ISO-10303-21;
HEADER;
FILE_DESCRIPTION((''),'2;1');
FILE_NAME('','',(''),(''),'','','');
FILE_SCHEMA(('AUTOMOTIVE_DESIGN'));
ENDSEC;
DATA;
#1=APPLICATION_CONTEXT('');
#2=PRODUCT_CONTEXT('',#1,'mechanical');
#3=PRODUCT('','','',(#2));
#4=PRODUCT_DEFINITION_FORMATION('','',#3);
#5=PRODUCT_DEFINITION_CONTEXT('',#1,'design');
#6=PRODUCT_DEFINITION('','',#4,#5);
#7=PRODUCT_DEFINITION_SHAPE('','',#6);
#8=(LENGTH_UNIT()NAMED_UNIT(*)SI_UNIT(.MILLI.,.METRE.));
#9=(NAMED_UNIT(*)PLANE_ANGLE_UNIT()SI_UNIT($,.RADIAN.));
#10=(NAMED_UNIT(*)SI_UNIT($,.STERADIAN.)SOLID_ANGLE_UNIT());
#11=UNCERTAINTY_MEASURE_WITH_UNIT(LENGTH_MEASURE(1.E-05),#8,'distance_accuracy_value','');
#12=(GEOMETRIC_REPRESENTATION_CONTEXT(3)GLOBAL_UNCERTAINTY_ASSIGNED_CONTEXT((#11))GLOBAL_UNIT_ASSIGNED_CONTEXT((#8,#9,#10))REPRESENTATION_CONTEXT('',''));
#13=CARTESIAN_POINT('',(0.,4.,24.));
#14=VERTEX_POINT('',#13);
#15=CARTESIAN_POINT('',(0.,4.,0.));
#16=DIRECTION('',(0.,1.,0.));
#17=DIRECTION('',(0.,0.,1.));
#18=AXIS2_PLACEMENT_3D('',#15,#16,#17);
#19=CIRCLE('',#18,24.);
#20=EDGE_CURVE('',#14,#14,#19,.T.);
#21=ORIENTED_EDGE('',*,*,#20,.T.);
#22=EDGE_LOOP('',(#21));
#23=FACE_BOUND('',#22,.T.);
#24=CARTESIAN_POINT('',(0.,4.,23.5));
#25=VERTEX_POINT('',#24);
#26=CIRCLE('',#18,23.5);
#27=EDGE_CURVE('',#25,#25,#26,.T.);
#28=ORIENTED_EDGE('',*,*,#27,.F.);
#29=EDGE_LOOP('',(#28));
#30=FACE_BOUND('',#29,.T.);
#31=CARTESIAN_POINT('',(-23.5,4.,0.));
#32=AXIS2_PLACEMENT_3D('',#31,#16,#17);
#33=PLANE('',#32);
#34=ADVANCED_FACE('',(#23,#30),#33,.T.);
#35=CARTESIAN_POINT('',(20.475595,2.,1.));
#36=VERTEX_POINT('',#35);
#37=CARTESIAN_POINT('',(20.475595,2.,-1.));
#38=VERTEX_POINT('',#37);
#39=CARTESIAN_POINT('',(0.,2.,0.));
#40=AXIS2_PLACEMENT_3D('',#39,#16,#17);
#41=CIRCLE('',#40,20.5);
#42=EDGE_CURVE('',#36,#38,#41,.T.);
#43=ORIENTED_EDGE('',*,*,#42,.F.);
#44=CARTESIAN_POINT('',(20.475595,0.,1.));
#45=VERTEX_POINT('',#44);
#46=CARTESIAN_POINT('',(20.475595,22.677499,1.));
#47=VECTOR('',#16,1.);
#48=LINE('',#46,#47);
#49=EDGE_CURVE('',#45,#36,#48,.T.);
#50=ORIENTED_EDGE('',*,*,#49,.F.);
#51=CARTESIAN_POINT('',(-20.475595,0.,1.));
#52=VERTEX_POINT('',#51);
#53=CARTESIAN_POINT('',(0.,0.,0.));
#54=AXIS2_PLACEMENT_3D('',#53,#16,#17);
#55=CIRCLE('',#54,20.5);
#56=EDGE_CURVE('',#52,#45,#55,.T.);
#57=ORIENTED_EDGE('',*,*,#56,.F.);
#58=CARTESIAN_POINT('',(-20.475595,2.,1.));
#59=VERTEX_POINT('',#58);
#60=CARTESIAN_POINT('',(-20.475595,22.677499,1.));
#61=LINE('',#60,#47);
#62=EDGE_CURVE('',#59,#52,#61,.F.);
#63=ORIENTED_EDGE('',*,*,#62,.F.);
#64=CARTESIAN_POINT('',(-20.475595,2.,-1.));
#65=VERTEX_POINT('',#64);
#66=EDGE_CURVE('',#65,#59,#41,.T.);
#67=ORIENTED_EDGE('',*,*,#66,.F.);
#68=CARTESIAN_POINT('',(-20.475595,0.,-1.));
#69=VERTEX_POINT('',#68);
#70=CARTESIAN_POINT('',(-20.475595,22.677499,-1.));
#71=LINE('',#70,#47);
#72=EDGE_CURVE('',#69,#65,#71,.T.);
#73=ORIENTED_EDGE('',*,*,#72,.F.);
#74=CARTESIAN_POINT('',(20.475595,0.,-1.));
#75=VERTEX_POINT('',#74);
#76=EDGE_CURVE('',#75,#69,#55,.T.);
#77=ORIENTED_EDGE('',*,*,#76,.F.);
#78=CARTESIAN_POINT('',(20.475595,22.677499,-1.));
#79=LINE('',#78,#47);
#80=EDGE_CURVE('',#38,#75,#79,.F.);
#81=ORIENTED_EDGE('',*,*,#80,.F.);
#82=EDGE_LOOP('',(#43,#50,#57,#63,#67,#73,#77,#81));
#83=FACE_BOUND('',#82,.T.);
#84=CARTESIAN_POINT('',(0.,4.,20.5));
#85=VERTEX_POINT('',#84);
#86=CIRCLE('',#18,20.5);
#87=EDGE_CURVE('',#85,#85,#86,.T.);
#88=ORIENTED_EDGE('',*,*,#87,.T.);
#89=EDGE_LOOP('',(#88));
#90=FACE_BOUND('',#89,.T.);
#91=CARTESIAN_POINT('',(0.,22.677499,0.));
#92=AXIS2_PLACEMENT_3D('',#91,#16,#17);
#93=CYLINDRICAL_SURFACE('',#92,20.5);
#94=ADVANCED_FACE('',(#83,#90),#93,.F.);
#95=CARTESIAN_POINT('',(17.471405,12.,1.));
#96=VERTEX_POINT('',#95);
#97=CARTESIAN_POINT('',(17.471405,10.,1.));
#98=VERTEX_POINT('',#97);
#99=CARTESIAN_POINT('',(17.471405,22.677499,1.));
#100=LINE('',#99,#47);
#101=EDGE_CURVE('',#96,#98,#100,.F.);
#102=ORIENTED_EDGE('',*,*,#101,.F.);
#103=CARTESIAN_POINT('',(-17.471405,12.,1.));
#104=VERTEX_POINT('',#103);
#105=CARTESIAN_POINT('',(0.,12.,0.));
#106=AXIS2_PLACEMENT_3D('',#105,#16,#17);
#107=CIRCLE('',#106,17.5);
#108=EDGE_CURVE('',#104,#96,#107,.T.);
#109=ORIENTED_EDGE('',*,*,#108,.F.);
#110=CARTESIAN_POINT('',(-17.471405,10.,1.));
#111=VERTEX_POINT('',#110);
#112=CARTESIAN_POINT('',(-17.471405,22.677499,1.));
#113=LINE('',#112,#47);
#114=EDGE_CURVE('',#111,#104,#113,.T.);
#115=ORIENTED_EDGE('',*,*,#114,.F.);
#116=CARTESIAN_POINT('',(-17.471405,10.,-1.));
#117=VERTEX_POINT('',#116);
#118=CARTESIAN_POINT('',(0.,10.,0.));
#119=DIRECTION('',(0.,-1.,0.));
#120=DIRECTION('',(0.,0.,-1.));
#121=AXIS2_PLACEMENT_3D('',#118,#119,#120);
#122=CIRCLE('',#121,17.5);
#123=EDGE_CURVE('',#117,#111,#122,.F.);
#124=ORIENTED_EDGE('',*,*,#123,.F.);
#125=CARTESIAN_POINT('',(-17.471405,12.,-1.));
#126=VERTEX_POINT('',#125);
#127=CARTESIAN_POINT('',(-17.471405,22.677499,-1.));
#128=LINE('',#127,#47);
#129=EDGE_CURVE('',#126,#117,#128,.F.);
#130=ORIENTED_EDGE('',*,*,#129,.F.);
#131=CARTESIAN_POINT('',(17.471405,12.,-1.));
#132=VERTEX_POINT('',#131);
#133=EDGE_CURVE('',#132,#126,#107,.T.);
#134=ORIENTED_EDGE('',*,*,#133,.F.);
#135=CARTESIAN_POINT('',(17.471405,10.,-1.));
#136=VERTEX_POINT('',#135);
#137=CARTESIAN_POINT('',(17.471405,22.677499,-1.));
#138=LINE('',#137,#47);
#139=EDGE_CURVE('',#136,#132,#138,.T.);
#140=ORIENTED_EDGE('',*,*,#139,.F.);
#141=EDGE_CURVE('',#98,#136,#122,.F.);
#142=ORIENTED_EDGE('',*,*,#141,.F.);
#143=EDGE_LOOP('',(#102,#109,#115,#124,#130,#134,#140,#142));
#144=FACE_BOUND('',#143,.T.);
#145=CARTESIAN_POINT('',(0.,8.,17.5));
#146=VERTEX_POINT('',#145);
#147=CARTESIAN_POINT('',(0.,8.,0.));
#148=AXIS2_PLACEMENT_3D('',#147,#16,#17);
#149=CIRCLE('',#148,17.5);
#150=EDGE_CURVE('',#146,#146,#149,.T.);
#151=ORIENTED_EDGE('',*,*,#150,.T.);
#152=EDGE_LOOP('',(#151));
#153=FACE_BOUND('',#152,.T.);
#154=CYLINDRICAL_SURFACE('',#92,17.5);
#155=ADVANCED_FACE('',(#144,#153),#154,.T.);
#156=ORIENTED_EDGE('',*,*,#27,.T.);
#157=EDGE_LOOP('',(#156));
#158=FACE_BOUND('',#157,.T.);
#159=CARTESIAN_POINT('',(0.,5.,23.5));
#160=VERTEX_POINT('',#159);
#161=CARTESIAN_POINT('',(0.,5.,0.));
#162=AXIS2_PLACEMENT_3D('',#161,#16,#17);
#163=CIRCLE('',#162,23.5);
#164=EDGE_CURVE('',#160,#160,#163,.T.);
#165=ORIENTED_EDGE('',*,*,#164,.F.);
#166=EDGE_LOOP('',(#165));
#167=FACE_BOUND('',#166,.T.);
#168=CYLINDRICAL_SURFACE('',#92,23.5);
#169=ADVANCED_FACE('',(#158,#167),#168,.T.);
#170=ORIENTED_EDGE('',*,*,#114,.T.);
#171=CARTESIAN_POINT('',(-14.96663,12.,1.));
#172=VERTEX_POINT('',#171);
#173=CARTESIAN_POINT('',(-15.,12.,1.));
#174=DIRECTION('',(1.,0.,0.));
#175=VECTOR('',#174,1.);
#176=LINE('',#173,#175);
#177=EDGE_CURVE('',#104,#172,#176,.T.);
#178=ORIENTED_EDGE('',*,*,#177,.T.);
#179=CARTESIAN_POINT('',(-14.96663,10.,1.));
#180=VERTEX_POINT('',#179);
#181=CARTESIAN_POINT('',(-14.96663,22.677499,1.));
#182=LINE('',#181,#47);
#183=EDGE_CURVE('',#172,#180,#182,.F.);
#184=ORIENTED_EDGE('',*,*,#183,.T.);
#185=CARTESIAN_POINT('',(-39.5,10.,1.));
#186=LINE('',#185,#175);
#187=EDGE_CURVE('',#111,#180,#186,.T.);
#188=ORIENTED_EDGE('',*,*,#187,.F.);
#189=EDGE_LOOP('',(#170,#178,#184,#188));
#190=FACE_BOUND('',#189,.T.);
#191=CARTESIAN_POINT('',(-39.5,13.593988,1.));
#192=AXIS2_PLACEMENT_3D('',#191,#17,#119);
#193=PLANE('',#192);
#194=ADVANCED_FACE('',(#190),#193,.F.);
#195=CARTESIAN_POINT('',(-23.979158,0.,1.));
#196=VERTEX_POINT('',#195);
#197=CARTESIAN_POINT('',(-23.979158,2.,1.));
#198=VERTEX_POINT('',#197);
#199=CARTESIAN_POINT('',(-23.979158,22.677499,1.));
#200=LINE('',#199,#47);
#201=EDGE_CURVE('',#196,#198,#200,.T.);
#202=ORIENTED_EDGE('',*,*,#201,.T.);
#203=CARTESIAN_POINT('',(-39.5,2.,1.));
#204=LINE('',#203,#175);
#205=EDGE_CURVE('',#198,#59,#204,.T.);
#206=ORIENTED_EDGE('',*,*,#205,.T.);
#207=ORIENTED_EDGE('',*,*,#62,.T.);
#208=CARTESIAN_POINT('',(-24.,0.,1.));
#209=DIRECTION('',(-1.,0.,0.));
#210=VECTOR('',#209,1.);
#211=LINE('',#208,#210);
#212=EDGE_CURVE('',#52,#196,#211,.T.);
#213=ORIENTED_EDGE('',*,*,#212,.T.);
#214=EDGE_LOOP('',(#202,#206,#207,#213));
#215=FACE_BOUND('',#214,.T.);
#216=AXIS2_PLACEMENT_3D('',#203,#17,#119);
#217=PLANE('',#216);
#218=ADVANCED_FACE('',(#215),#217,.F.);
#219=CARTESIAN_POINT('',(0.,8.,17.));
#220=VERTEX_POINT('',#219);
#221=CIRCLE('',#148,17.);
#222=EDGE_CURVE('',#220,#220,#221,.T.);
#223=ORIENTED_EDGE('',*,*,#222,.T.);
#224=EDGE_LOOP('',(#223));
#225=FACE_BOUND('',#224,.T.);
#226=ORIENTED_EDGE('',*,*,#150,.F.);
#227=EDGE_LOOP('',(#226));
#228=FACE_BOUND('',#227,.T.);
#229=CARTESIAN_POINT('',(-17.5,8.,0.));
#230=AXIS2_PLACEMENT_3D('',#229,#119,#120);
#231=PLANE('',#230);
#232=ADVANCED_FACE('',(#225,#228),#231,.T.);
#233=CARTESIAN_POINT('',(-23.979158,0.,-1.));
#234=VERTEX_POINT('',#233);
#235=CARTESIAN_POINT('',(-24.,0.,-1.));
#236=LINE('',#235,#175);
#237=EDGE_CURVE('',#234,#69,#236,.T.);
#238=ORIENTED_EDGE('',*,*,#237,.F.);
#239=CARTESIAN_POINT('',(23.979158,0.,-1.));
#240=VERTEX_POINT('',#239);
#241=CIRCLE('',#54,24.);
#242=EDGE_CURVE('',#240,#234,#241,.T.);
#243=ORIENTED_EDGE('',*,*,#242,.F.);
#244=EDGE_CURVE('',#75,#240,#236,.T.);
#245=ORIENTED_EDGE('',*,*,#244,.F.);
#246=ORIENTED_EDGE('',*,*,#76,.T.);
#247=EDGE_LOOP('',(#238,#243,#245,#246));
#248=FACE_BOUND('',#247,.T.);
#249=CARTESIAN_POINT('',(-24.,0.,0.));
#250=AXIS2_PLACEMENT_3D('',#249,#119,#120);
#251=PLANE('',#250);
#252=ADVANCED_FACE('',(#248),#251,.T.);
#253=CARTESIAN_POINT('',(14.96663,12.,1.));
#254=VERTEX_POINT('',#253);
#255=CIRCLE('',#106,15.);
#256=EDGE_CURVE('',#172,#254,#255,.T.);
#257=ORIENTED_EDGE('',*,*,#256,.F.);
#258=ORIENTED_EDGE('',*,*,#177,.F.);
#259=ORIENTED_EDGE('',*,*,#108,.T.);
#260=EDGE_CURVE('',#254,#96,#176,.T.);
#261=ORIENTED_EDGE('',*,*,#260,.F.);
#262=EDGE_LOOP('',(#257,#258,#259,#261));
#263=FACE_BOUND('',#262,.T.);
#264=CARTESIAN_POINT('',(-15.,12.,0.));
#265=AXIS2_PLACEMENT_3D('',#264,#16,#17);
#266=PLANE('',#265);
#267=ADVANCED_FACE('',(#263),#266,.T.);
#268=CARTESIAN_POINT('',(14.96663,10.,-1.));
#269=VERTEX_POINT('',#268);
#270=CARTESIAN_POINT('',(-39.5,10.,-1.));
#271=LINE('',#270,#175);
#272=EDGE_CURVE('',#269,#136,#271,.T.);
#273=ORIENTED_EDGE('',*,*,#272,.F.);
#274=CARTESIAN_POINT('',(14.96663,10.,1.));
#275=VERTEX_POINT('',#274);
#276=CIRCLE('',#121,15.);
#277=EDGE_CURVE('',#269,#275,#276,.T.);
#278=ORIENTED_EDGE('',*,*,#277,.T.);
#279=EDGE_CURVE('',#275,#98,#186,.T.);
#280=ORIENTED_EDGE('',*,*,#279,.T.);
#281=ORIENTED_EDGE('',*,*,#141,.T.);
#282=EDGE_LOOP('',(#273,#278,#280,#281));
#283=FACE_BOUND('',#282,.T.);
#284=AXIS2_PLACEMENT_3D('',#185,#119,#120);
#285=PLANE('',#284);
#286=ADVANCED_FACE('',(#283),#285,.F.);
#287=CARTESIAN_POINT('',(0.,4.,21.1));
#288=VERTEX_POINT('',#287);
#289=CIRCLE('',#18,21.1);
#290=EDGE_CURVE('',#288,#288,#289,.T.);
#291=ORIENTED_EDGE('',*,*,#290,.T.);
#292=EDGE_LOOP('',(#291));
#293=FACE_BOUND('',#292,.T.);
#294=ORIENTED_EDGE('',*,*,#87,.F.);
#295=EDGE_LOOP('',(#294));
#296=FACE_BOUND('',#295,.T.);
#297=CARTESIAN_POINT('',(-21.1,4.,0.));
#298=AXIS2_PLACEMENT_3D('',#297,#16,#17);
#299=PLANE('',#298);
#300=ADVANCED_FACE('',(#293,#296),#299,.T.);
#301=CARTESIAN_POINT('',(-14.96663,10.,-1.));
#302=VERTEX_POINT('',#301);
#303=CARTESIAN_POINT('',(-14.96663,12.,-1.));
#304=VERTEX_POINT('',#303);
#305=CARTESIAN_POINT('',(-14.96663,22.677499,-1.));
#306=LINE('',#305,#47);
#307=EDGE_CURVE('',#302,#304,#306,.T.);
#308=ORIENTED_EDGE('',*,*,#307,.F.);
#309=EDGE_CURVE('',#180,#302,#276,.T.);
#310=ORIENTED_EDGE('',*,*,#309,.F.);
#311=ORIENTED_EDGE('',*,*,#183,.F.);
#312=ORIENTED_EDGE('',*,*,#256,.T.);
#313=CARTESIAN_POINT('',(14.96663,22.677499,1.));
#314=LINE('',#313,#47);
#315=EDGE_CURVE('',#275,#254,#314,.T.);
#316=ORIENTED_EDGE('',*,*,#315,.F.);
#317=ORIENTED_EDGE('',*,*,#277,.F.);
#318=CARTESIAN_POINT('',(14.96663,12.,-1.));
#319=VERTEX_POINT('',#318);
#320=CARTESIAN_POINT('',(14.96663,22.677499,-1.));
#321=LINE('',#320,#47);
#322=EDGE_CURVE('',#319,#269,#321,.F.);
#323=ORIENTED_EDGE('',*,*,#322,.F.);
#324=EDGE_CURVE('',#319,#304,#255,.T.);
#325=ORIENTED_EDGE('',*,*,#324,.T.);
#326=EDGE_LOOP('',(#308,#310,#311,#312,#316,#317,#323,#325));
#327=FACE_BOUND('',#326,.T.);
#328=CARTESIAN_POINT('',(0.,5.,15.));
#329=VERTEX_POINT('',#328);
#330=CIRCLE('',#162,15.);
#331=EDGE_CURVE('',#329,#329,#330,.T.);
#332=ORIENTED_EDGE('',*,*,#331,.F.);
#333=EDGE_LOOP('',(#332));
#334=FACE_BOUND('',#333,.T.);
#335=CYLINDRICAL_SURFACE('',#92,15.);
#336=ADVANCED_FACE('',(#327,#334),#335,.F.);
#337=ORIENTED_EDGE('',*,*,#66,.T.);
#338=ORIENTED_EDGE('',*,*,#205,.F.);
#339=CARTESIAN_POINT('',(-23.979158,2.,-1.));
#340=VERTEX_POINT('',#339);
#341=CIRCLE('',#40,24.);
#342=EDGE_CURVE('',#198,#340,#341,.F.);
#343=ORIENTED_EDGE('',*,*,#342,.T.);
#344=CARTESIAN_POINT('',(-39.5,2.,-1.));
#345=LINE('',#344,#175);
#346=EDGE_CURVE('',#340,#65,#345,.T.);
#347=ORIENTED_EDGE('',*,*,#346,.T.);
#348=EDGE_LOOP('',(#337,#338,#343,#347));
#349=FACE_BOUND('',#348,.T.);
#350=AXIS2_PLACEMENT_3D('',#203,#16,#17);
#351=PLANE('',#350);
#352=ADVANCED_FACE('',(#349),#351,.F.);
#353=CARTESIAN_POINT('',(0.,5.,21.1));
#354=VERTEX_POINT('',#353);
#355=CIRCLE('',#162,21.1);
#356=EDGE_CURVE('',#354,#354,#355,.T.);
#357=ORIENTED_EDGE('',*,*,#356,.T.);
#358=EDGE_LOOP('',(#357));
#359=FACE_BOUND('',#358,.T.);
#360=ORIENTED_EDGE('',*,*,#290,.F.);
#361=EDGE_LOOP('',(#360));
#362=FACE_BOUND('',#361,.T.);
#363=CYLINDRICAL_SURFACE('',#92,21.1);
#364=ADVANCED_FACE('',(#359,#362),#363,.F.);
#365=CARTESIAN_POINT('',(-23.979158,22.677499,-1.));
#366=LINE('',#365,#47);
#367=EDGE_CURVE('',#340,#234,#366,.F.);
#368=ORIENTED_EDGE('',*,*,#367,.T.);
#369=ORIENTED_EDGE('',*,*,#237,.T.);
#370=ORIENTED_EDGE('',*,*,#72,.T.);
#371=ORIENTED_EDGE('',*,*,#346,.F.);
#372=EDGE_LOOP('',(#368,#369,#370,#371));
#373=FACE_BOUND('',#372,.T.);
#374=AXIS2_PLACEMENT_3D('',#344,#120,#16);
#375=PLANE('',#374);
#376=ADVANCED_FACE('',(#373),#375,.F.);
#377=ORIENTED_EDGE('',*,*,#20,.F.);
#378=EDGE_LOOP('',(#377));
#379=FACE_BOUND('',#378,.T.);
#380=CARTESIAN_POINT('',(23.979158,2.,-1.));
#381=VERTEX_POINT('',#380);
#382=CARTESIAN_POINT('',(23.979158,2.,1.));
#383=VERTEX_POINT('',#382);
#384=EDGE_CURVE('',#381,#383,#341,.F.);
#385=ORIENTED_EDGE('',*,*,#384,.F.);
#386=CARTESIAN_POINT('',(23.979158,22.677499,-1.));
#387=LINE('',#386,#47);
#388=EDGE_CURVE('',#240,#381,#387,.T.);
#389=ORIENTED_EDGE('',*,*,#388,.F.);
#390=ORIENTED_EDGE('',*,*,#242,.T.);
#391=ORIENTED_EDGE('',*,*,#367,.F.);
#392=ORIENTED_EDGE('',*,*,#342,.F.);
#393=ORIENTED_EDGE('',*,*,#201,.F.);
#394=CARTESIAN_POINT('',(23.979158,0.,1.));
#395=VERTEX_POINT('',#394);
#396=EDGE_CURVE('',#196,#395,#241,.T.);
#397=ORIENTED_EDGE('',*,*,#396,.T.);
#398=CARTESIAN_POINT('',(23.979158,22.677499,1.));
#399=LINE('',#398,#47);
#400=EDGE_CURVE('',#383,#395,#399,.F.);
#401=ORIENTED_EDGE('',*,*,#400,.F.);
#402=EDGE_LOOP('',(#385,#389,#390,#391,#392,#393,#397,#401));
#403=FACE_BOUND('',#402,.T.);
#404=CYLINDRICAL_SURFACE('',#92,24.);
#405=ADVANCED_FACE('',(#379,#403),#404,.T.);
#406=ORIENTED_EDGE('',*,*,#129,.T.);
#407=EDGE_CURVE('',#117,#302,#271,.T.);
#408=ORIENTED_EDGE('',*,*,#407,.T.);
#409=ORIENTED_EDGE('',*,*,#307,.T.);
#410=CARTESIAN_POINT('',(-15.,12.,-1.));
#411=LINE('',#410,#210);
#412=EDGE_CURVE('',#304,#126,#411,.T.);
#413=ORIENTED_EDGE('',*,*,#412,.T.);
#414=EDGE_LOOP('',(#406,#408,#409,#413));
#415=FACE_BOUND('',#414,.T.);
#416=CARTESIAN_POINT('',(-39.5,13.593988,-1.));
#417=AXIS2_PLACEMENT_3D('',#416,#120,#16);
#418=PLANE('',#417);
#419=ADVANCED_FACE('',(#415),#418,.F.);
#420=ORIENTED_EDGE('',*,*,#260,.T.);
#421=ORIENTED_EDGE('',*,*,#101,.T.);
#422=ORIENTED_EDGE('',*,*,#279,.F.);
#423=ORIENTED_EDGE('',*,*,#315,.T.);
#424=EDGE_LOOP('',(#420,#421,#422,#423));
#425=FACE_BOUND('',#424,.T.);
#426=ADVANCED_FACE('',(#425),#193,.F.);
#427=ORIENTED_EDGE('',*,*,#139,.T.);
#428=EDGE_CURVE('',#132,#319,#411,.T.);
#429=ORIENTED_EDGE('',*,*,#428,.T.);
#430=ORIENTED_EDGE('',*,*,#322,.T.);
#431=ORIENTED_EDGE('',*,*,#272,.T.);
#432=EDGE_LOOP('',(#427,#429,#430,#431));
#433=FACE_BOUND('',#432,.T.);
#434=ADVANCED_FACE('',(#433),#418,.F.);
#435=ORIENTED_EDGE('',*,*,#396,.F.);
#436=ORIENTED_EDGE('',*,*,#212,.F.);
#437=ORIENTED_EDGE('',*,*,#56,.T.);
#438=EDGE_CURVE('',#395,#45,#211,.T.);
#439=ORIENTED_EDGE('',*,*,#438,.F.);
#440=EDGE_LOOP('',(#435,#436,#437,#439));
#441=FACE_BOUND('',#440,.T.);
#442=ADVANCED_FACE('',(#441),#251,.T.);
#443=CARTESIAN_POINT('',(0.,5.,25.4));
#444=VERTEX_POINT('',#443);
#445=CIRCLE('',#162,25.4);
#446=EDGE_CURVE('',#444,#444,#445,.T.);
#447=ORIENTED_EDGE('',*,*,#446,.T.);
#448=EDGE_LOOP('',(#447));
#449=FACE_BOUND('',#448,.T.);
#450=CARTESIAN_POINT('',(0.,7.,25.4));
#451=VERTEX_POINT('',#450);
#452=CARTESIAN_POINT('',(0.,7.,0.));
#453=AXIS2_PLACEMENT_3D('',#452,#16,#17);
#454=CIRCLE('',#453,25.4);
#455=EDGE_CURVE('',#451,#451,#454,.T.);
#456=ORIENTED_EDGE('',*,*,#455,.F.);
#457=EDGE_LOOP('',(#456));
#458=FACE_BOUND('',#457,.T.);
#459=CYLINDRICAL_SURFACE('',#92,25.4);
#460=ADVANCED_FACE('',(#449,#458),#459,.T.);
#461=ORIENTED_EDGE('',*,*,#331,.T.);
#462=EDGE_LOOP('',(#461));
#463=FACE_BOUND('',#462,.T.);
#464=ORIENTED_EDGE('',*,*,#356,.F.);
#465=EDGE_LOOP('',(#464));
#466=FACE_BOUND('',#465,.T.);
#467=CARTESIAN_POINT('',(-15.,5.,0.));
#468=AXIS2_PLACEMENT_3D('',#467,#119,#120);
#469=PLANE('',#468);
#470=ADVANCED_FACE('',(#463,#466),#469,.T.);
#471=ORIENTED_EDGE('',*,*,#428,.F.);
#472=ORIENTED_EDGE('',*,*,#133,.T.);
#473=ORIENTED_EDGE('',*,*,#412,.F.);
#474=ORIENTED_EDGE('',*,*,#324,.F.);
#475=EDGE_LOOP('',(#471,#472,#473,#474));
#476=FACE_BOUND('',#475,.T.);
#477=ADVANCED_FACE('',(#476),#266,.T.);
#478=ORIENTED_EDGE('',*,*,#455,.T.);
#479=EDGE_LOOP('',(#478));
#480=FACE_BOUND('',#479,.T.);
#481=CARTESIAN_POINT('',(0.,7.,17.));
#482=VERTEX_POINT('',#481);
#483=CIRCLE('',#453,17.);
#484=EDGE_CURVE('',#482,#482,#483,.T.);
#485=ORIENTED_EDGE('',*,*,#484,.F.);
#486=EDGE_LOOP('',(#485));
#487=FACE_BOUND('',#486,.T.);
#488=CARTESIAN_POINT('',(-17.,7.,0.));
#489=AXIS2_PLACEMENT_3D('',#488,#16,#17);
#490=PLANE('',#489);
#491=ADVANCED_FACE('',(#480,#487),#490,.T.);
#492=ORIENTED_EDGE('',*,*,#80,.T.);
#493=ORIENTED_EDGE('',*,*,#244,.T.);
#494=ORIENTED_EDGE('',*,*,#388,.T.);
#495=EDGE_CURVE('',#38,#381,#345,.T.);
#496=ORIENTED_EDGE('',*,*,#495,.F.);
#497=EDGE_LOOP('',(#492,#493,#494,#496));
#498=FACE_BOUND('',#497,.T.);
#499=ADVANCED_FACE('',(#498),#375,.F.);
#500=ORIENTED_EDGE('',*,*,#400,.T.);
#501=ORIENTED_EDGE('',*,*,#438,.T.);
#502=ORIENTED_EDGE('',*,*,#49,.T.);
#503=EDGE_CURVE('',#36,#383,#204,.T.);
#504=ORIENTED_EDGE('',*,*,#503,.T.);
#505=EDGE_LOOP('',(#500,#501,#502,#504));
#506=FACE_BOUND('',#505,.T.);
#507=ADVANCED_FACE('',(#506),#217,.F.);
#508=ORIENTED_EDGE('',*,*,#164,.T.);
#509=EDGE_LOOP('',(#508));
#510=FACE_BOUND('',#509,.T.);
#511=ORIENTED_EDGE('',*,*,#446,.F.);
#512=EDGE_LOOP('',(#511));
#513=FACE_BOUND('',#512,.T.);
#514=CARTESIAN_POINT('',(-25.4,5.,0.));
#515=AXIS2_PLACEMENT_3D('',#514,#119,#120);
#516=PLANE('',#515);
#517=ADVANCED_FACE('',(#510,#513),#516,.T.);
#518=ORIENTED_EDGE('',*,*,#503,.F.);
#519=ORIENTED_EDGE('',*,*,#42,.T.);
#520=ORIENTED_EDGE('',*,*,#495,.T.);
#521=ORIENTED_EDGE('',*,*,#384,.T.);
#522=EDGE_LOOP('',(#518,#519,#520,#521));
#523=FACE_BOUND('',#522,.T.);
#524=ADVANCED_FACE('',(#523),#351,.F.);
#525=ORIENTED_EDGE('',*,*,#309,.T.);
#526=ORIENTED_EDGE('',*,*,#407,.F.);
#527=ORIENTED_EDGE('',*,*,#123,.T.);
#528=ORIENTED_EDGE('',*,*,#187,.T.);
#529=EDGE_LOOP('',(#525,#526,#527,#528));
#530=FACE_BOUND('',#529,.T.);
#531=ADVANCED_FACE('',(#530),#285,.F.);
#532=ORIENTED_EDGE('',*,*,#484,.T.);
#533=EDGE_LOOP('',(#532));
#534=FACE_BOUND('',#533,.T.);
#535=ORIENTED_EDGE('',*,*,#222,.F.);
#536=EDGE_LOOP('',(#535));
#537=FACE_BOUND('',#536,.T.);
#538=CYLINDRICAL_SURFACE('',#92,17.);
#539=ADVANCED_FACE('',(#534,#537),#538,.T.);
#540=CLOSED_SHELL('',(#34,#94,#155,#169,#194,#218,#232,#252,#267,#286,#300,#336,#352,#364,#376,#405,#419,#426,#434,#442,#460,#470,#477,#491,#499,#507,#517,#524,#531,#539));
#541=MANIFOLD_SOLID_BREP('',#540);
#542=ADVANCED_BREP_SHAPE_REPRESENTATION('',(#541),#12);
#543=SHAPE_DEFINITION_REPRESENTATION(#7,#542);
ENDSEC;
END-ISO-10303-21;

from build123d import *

# Parameters (mm, degrees)
SKETCH_2_W          = 2
SKETCH_2_H          = 3.593987872
SKETCH_2_H_2        = 6.667892238
CUT_EXTRUDE_1_DEPTH = 39.5


with BuildPart() as part:
    # 草图1 → 旋转1 (revolve)
    with BuildSketch(Plane.XY, mode=Mode.PRIVATE) as revolve_1_sk:
        Polygon((-15, 12), (-17.5, 12), (-17.5, 8), (-17, 8), (-17, 7), (-25.4, 7), (-25.4, 5), (-23.5, 5), (-23.5, 4), (-24, 4), (-24, 0), (-20.5, 0), (-20.5, 4), (-21.1, 4), (-21.1, 5), (-15, 5), align=None)
    revolve(revolve_1_sk.sketch.rotate(Axis((0, 22.677499451, 0), (0, -1, 0)), 270), axis=Axis((0, 22.677499451, 0), (0, -1, 0)))  # turned: the seam where the file's is

    # 草图2 → 切除-拉伸1 (cut, symmetric)
    with BuildSketch(Plane(origin=(0, 0, 0), x_dir=(0, 0, -1), z_dir=(1, 0, 0))):
        with Locations((0, 11.796993936)):
            Rectangle(SKETCH_2_W, SKETCH_2_H)
        with Locations((0, -1.333946119)):
            Rectangle(SKETCH_2_W, SKETCH_2_H_2)
    extrude(amount=CUT_EXTRUDE_1_DEPTH, both=True, mode=Mode.SUBTRACT)


solid = part.part
